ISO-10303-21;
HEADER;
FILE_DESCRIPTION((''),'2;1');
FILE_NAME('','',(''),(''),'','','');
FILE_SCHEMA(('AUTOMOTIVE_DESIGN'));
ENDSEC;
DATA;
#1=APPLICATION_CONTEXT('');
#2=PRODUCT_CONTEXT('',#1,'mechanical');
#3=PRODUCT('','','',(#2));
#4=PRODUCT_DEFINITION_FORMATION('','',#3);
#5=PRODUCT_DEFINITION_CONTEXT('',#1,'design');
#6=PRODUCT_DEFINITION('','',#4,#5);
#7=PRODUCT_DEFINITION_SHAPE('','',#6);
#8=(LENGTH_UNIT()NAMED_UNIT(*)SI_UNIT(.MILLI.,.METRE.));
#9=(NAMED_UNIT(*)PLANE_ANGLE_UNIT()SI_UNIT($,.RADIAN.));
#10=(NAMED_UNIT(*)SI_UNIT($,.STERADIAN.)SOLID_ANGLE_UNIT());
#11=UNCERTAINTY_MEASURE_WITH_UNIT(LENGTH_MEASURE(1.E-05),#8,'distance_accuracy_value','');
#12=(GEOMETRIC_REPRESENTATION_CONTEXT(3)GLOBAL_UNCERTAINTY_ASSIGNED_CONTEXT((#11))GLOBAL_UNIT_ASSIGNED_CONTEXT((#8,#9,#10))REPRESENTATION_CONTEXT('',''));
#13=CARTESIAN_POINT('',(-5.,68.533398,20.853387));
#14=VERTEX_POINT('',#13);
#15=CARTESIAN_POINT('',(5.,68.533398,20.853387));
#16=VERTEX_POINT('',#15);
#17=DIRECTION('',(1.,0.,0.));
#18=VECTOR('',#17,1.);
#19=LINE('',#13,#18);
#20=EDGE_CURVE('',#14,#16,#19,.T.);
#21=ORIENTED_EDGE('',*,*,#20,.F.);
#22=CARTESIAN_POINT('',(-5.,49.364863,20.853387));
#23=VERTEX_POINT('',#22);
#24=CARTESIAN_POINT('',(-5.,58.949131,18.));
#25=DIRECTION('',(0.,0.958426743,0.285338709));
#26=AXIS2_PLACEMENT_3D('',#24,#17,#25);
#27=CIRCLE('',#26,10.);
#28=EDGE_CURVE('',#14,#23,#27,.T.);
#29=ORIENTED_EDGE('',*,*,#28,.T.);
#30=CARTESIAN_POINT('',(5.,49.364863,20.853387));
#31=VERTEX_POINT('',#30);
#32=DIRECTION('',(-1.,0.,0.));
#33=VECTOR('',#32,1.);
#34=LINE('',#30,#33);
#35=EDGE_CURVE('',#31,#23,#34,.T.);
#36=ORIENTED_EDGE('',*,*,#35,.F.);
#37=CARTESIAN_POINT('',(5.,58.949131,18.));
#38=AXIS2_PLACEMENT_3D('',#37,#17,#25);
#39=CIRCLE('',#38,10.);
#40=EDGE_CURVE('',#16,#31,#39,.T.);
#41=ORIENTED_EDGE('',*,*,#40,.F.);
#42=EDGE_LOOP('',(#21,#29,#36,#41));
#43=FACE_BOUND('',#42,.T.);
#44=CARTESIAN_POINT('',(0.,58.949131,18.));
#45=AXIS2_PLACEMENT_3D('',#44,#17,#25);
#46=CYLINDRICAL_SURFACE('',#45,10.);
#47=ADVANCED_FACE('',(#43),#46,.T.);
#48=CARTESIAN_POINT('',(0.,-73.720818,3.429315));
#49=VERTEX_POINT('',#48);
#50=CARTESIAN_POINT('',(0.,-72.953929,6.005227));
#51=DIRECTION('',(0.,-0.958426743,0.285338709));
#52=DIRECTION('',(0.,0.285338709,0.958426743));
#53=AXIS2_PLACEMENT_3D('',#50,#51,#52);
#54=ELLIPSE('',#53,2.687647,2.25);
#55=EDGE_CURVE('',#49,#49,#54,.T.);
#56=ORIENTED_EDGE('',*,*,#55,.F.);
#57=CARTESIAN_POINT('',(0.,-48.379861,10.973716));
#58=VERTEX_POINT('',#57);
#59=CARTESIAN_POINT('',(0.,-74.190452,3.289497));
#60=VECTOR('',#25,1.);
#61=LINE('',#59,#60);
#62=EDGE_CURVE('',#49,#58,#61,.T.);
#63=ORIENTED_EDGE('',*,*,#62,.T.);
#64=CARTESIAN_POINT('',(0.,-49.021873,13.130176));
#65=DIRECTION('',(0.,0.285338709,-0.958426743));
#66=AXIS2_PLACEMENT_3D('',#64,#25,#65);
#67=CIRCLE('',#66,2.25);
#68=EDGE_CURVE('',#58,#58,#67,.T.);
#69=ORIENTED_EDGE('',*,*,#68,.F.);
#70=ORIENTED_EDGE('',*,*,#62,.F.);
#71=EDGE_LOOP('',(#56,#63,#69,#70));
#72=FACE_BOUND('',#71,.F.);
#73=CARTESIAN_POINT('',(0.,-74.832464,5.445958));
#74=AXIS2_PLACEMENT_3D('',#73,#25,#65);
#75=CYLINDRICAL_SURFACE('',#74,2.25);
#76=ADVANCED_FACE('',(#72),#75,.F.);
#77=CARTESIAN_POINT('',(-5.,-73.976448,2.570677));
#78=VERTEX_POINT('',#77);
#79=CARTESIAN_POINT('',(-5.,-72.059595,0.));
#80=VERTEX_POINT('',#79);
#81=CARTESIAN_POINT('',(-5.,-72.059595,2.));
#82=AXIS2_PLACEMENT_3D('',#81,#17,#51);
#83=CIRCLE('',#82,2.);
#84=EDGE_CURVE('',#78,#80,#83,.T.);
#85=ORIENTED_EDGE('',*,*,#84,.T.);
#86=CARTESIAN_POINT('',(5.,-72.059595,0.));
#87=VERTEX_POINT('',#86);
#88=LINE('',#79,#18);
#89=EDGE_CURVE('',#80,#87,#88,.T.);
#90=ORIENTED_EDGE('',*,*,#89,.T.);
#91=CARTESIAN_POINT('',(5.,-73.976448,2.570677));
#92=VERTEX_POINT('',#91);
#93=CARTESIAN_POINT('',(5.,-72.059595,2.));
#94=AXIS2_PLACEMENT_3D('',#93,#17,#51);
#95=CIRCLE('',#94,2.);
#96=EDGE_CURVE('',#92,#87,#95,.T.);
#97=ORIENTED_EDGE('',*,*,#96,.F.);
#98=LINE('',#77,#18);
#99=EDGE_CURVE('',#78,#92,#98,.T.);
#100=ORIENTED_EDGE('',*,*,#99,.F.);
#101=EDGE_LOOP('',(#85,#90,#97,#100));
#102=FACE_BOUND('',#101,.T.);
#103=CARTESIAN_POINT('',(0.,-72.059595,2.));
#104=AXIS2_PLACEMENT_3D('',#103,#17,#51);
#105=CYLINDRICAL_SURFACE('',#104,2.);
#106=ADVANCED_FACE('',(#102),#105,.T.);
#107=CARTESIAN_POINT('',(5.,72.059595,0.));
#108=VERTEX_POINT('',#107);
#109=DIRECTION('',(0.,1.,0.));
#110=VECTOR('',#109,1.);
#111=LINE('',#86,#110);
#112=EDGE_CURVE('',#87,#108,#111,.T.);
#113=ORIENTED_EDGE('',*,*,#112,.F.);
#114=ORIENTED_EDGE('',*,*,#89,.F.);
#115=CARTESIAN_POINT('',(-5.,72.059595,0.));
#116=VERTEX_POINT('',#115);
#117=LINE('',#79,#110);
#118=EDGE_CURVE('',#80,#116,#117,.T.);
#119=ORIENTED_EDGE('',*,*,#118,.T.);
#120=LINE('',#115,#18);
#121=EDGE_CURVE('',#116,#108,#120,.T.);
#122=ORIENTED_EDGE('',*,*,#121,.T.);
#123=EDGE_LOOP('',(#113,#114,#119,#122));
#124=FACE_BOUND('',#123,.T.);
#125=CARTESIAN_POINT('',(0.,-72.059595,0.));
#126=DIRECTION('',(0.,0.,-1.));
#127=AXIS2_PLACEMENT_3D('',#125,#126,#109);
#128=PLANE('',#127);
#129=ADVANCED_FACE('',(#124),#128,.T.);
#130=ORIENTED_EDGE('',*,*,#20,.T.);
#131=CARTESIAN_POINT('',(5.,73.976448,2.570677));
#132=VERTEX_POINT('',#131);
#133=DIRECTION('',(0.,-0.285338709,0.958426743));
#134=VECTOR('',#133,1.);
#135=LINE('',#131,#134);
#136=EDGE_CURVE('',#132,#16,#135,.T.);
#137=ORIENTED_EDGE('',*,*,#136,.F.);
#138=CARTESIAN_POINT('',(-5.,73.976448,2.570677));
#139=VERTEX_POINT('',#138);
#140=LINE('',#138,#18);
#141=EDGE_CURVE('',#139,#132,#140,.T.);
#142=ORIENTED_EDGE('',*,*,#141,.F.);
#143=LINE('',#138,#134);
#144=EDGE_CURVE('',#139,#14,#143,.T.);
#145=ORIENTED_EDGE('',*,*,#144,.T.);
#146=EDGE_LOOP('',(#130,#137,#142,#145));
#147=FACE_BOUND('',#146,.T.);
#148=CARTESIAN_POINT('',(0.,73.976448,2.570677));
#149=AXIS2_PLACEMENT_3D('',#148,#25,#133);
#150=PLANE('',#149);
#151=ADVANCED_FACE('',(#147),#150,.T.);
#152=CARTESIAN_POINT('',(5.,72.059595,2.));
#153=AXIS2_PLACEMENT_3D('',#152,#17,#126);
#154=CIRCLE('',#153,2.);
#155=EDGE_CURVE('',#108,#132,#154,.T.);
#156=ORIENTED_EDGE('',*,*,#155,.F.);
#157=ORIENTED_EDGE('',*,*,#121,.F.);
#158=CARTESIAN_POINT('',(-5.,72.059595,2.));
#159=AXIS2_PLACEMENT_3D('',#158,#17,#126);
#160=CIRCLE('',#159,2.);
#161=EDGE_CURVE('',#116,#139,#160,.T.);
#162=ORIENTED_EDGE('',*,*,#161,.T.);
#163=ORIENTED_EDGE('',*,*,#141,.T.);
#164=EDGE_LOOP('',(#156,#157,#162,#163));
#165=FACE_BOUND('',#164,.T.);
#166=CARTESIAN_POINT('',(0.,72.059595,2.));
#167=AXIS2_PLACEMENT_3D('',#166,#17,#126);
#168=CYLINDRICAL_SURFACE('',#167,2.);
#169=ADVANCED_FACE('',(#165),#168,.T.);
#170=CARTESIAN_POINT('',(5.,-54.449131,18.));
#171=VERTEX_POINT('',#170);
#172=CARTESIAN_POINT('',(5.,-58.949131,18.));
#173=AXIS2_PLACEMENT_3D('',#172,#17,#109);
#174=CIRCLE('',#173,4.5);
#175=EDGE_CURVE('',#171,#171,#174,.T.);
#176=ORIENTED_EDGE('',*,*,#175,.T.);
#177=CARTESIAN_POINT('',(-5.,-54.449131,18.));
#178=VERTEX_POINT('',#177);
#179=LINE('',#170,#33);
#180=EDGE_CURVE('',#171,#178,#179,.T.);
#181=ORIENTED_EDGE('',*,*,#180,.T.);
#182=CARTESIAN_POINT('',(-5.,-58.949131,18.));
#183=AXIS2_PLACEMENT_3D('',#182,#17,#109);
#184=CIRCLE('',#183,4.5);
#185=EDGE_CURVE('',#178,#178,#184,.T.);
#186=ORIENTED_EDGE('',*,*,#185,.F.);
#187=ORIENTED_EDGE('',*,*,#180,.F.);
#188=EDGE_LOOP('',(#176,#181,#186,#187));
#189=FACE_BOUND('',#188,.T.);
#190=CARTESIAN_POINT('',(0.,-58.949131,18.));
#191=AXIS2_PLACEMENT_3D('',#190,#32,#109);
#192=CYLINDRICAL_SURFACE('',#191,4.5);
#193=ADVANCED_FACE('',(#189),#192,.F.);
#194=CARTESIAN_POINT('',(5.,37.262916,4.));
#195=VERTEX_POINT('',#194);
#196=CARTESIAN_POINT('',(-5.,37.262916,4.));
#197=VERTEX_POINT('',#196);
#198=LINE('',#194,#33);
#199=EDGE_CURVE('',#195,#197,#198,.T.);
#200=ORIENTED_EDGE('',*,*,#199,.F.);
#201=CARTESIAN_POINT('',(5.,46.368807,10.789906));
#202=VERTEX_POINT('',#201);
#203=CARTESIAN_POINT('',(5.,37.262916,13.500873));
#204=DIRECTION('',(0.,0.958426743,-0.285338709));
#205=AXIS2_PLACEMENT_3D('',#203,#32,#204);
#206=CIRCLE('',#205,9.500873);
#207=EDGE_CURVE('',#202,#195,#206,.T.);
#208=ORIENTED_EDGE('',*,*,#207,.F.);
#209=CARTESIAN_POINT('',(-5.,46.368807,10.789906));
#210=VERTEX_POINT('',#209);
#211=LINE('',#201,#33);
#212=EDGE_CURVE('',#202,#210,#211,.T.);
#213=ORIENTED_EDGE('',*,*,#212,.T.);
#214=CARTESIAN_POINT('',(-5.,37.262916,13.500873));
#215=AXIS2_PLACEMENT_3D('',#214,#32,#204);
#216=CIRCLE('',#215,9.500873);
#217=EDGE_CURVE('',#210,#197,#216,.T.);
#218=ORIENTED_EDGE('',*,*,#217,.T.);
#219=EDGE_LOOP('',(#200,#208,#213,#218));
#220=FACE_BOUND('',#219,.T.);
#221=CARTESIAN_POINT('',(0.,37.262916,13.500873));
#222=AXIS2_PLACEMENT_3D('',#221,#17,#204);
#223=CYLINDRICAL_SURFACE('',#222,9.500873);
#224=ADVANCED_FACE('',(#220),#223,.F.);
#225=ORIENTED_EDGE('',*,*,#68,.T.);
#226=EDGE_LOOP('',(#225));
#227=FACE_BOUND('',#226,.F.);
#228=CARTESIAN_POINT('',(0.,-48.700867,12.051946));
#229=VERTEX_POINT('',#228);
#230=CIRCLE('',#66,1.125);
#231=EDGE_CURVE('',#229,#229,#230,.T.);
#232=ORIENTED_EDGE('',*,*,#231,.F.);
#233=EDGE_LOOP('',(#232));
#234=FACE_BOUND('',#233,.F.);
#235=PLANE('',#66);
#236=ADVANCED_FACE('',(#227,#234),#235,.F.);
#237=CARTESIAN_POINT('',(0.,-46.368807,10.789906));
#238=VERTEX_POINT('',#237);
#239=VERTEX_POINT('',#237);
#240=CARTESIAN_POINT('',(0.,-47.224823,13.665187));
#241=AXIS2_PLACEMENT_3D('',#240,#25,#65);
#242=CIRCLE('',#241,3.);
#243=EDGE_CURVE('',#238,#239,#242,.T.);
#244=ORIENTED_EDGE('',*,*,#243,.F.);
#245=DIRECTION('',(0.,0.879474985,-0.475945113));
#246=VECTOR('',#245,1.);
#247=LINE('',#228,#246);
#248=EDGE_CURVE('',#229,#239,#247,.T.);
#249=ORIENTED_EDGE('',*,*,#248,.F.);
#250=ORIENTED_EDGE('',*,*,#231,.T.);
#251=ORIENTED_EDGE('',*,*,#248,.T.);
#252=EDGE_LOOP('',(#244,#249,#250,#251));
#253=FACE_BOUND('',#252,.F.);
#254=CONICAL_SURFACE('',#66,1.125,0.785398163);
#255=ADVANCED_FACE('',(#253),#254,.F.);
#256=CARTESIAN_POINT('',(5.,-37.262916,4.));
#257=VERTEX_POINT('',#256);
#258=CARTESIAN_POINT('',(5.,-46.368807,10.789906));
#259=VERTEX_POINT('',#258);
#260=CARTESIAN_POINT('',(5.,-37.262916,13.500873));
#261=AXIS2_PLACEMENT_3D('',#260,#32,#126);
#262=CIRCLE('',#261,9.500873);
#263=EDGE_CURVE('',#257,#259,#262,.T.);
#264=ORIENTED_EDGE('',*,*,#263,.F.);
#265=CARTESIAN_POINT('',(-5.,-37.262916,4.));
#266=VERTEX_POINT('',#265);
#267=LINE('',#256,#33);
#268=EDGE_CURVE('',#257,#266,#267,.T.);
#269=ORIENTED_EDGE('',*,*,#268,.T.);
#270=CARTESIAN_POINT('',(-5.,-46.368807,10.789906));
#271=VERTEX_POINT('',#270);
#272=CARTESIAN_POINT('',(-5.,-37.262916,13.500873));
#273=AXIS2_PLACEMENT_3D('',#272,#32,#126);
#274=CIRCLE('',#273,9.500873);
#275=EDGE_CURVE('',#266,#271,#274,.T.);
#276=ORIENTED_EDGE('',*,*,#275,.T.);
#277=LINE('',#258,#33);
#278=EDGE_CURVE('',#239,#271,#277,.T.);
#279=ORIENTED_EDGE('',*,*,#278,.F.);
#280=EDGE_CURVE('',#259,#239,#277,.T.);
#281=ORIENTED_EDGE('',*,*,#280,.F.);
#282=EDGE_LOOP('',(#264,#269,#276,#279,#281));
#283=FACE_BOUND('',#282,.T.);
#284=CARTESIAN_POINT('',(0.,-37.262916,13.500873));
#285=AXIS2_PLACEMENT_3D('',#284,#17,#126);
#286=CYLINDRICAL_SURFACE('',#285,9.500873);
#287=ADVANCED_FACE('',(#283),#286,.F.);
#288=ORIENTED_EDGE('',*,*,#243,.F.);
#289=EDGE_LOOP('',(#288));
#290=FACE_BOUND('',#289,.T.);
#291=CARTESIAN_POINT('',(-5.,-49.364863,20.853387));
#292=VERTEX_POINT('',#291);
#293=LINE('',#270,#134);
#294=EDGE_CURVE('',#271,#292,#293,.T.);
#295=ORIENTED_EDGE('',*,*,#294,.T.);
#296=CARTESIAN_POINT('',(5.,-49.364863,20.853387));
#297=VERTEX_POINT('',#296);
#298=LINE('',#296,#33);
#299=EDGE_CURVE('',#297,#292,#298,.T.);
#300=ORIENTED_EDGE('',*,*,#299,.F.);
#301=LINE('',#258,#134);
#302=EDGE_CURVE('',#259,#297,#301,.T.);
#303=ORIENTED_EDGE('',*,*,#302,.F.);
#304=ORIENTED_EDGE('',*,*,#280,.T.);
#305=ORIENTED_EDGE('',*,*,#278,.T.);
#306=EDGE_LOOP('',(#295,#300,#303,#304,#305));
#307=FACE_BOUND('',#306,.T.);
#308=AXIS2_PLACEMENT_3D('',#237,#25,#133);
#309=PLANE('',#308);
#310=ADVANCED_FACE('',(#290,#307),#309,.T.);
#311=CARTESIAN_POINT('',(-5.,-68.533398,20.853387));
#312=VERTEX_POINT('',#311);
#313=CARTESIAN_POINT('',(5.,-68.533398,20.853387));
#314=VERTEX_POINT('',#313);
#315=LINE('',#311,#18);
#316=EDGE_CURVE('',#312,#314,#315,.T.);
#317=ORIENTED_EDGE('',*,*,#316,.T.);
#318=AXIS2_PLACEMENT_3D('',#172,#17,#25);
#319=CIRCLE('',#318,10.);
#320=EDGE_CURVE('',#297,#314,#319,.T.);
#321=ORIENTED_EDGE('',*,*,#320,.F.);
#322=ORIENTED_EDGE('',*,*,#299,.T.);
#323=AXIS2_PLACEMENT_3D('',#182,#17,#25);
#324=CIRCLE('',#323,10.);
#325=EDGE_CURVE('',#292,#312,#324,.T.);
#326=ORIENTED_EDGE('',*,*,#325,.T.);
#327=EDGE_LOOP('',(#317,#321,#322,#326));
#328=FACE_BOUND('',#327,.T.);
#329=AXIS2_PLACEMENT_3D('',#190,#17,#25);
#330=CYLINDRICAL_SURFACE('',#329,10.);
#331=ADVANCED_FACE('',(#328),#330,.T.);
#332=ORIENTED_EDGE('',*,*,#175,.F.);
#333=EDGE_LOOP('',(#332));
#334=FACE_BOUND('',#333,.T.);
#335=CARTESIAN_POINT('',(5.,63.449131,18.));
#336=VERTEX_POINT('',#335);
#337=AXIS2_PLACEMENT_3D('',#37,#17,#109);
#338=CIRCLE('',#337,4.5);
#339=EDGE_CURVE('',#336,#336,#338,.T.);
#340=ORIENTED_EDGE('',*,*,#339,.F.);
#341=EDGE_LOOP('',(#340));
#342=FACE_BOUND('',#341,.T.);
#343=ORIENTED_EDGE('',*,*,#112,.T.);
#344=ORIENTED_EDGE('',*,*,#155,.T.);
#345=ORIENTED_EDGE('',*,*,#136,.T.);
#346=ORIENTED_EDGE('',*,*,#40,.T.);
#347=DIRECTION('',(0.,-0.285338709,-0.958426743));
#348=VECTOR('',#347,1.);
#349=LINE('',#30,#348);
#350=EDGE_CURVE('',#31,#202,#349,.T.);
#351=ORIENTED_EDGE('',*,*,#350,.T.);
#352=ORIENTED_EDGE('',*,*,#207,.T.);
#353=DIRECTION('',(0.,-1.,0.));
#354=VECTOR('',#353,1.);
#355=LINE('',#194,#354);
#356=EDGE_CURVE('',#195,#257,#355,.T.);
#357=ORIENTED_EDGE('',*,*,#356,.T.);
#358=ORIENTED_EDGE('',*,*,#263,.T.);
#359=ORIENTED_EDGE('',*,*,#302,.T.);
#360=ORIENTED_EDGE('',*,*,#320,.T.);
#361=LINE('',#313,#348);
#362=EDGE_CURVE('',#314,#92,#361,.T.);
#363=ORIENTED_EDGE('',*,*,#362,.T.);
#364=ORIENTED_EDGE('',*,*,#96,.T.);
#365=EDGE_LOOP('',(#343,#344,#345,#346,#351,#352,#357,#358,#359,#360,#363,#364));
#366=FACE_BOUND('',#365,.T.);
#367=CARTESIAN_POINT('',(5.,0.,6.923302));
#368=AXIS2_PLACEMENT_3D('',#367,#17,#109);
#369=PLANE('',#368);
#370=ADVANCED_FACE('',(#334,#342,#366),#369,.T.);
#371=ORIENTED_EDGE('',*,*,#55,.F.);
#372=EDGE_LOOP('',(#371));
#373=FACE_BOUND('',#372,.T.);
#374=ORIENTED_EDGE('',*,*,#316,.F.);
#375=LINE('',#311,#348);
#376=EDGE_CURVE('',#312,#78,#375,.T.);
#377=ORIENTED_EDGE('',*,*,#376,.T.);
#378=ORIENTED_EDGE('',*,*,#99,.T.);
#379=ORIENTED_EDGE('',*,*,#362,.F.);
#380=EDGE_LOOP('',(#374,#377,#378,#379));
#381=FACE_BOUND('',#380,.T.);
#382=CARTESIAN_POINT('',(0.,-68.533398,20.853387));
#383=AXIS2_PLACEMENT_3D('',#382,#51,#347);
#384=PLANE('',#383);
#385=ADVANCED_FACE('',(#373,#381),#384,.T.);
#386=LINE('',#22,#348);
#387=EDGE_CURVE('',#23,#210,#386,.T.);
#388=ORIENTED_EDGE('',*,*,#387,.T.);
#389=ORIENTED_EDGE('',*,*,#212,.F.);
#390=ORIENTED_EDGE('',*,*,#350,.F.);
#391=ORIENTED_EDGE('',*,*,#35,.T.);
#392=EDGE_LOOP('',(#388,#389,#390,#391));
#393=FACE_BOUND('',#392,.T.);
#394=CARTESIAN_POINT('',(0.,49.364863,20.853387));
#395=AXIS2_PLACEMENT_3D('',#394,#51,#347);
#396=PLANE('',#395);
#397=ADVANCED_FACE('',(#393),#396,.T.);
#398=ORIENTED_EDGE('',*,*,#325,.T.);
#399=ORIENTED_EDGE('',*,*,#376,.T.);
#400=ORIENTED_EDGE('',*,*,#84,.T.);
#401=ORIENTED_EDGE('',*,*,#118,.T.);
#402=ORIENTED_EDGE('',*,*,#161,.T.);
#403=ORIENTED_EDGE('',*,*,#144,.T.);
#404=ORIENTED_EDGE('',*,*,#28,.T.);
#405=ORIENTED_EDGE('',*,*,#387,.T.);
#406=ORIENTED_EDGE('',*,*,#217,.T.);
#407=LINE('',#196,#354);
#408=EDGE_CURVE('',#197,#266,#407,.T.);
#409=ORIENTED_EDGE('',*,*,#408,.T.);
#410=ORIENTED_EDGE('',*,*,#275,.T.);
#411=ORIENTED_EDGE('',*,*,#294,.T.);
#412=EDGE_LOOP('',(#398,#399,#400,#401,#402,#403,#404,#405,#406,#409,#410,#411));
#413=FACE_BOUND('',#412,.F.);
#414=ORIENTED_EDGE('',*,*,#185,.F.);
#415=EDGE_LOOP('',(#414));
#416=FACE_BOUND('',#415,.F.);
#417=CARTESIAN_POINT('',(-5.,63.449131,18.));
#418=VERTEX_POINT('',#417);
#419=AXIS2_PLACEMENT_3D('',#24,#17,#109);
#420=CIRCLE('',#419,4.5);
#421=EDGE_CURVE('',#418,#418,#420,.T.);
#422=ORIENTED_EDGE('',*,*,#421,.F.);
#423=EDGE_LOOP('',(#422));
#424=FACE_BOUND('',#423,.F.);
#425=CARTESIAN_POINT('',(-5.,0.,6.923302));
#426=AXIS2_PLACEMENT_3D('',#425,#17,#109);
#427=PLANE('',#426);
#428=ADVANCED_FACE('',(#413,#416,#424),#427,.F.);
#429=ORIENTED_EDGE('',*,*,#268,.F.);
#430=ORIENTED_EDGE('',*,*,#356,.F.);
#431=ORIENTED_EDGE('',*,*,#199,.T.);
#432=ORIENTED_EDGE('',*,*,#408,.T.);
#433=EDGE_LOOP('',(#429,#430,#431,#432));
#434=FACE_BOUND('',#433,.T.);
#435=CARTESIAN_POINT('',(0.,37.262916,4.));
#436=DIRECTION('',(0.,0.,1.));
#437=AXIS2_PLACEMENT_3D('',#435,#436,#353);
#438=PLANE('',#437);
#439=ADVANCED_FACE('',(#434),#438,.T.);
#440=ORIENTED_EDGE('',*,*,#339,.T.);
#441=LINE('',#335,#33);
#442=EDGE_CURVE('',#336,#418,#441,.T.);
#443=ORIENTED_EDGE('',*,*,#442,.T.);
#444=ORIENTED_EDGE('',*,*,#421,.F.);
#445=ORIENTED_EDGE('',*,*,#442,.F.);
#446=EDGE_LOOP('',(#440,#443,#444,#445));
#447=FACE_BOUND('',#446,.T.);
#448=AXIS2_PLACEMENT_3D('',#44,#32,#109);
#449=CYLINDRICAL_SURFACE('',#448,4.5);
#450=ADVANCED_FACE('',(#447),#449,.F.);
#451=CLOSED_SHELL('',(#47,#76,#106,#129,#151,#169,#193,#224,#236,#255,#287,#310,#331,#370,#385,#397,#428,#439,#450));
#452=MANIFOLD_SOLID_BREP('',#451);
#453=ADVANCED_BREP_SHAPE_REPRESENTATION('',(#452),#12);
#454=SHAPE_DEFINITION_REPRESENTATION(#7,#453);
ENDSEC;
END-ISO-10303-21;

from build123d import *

# Parameters (mm, degrees)
F1_R     = 4.5
F2_DEPTH = 5


with BuildPart() as f2:
    # F1 (on Right) → F2 (new body, symmetric)
    with BuildSketch(Plane.YZ):
        with BuildLine():
            ThreePointArc((-49.3648631859, 20.8533870909), (-58.9491306128, 28), (-68.5333980396, 20.8533870909))
            Line((-68.5333980396, 20.8533870909), (-73.9764481387, 2.5706774182))
            ThreePointArc((-73.9764481387, 2.5706774182), (-73.6629278745, 0.804457202), (-72.0595946533, 0))
            Line((-72.0595946533, 0), (0, 0))
            Line((0, 0), (72.0595946533, 0))
            ThreePointArc((72.0595946533, 0), (73.6629278745, 0.804457202), (73.9764481387, 2.5706774182))
            Line((73.9764481387, 2.5706774182), (68.5333980396, 20.8533870909))
            ThreePointArc((68.5333980396, 20.8533870909), (58.9491306128, 28), (49.3648631859, 20.8533870909))
            Line((49.3648631859, 20.8533870909), (46.3688067405, 10.7899062927))
            ThreePointArc((46.3688067405, 10.7899062927), (42.9422660578, 5.8843403804), (37.2629158044, 4))
            Line((37.2629158044, 4), (0, 4))
            Line((0, 4), (-37.2629158044, 4))
            ThreePointArc((-37.2629158044, 4), (-42.9422660578, 5.8843403804), (-46.3688067405, 10.7899062927))
            Line((-46.3688067405, 10.7899062927), (-49.3648631859, 20.8533870909))
        make_face()
        with Locations((-58.9491306128, 18)):
            Circle(F1_R, mode=Mode.SUBTRACT)
        with Locations((58.9491306128, 18)):
            Circle(F1_R, mode=Mode.SUBTRACT)
    extrude(amount=F2_DEPTH, both=True)

    # F3 (on Right) → F4 (revolve, cut)
    with BuildSketch(Plane.YZ):
        Polygon((-74.1904521705, 3.2894974752), (-48.3798609148, 10.9737162702), (-48.7008669625, 12.0519463557), (-46.3688067405, 10.7899062927), (-47.2248228677, 13.6651865208), (-74.8324642659, 5.4459576462), align=None)
    revolve(axis=Axis((0, -61.0286435668, 9.5555720835), (0, 0.9584267427, 0.2853387091)), mode=Mode.SUBTRACT)


solid = f2.part
